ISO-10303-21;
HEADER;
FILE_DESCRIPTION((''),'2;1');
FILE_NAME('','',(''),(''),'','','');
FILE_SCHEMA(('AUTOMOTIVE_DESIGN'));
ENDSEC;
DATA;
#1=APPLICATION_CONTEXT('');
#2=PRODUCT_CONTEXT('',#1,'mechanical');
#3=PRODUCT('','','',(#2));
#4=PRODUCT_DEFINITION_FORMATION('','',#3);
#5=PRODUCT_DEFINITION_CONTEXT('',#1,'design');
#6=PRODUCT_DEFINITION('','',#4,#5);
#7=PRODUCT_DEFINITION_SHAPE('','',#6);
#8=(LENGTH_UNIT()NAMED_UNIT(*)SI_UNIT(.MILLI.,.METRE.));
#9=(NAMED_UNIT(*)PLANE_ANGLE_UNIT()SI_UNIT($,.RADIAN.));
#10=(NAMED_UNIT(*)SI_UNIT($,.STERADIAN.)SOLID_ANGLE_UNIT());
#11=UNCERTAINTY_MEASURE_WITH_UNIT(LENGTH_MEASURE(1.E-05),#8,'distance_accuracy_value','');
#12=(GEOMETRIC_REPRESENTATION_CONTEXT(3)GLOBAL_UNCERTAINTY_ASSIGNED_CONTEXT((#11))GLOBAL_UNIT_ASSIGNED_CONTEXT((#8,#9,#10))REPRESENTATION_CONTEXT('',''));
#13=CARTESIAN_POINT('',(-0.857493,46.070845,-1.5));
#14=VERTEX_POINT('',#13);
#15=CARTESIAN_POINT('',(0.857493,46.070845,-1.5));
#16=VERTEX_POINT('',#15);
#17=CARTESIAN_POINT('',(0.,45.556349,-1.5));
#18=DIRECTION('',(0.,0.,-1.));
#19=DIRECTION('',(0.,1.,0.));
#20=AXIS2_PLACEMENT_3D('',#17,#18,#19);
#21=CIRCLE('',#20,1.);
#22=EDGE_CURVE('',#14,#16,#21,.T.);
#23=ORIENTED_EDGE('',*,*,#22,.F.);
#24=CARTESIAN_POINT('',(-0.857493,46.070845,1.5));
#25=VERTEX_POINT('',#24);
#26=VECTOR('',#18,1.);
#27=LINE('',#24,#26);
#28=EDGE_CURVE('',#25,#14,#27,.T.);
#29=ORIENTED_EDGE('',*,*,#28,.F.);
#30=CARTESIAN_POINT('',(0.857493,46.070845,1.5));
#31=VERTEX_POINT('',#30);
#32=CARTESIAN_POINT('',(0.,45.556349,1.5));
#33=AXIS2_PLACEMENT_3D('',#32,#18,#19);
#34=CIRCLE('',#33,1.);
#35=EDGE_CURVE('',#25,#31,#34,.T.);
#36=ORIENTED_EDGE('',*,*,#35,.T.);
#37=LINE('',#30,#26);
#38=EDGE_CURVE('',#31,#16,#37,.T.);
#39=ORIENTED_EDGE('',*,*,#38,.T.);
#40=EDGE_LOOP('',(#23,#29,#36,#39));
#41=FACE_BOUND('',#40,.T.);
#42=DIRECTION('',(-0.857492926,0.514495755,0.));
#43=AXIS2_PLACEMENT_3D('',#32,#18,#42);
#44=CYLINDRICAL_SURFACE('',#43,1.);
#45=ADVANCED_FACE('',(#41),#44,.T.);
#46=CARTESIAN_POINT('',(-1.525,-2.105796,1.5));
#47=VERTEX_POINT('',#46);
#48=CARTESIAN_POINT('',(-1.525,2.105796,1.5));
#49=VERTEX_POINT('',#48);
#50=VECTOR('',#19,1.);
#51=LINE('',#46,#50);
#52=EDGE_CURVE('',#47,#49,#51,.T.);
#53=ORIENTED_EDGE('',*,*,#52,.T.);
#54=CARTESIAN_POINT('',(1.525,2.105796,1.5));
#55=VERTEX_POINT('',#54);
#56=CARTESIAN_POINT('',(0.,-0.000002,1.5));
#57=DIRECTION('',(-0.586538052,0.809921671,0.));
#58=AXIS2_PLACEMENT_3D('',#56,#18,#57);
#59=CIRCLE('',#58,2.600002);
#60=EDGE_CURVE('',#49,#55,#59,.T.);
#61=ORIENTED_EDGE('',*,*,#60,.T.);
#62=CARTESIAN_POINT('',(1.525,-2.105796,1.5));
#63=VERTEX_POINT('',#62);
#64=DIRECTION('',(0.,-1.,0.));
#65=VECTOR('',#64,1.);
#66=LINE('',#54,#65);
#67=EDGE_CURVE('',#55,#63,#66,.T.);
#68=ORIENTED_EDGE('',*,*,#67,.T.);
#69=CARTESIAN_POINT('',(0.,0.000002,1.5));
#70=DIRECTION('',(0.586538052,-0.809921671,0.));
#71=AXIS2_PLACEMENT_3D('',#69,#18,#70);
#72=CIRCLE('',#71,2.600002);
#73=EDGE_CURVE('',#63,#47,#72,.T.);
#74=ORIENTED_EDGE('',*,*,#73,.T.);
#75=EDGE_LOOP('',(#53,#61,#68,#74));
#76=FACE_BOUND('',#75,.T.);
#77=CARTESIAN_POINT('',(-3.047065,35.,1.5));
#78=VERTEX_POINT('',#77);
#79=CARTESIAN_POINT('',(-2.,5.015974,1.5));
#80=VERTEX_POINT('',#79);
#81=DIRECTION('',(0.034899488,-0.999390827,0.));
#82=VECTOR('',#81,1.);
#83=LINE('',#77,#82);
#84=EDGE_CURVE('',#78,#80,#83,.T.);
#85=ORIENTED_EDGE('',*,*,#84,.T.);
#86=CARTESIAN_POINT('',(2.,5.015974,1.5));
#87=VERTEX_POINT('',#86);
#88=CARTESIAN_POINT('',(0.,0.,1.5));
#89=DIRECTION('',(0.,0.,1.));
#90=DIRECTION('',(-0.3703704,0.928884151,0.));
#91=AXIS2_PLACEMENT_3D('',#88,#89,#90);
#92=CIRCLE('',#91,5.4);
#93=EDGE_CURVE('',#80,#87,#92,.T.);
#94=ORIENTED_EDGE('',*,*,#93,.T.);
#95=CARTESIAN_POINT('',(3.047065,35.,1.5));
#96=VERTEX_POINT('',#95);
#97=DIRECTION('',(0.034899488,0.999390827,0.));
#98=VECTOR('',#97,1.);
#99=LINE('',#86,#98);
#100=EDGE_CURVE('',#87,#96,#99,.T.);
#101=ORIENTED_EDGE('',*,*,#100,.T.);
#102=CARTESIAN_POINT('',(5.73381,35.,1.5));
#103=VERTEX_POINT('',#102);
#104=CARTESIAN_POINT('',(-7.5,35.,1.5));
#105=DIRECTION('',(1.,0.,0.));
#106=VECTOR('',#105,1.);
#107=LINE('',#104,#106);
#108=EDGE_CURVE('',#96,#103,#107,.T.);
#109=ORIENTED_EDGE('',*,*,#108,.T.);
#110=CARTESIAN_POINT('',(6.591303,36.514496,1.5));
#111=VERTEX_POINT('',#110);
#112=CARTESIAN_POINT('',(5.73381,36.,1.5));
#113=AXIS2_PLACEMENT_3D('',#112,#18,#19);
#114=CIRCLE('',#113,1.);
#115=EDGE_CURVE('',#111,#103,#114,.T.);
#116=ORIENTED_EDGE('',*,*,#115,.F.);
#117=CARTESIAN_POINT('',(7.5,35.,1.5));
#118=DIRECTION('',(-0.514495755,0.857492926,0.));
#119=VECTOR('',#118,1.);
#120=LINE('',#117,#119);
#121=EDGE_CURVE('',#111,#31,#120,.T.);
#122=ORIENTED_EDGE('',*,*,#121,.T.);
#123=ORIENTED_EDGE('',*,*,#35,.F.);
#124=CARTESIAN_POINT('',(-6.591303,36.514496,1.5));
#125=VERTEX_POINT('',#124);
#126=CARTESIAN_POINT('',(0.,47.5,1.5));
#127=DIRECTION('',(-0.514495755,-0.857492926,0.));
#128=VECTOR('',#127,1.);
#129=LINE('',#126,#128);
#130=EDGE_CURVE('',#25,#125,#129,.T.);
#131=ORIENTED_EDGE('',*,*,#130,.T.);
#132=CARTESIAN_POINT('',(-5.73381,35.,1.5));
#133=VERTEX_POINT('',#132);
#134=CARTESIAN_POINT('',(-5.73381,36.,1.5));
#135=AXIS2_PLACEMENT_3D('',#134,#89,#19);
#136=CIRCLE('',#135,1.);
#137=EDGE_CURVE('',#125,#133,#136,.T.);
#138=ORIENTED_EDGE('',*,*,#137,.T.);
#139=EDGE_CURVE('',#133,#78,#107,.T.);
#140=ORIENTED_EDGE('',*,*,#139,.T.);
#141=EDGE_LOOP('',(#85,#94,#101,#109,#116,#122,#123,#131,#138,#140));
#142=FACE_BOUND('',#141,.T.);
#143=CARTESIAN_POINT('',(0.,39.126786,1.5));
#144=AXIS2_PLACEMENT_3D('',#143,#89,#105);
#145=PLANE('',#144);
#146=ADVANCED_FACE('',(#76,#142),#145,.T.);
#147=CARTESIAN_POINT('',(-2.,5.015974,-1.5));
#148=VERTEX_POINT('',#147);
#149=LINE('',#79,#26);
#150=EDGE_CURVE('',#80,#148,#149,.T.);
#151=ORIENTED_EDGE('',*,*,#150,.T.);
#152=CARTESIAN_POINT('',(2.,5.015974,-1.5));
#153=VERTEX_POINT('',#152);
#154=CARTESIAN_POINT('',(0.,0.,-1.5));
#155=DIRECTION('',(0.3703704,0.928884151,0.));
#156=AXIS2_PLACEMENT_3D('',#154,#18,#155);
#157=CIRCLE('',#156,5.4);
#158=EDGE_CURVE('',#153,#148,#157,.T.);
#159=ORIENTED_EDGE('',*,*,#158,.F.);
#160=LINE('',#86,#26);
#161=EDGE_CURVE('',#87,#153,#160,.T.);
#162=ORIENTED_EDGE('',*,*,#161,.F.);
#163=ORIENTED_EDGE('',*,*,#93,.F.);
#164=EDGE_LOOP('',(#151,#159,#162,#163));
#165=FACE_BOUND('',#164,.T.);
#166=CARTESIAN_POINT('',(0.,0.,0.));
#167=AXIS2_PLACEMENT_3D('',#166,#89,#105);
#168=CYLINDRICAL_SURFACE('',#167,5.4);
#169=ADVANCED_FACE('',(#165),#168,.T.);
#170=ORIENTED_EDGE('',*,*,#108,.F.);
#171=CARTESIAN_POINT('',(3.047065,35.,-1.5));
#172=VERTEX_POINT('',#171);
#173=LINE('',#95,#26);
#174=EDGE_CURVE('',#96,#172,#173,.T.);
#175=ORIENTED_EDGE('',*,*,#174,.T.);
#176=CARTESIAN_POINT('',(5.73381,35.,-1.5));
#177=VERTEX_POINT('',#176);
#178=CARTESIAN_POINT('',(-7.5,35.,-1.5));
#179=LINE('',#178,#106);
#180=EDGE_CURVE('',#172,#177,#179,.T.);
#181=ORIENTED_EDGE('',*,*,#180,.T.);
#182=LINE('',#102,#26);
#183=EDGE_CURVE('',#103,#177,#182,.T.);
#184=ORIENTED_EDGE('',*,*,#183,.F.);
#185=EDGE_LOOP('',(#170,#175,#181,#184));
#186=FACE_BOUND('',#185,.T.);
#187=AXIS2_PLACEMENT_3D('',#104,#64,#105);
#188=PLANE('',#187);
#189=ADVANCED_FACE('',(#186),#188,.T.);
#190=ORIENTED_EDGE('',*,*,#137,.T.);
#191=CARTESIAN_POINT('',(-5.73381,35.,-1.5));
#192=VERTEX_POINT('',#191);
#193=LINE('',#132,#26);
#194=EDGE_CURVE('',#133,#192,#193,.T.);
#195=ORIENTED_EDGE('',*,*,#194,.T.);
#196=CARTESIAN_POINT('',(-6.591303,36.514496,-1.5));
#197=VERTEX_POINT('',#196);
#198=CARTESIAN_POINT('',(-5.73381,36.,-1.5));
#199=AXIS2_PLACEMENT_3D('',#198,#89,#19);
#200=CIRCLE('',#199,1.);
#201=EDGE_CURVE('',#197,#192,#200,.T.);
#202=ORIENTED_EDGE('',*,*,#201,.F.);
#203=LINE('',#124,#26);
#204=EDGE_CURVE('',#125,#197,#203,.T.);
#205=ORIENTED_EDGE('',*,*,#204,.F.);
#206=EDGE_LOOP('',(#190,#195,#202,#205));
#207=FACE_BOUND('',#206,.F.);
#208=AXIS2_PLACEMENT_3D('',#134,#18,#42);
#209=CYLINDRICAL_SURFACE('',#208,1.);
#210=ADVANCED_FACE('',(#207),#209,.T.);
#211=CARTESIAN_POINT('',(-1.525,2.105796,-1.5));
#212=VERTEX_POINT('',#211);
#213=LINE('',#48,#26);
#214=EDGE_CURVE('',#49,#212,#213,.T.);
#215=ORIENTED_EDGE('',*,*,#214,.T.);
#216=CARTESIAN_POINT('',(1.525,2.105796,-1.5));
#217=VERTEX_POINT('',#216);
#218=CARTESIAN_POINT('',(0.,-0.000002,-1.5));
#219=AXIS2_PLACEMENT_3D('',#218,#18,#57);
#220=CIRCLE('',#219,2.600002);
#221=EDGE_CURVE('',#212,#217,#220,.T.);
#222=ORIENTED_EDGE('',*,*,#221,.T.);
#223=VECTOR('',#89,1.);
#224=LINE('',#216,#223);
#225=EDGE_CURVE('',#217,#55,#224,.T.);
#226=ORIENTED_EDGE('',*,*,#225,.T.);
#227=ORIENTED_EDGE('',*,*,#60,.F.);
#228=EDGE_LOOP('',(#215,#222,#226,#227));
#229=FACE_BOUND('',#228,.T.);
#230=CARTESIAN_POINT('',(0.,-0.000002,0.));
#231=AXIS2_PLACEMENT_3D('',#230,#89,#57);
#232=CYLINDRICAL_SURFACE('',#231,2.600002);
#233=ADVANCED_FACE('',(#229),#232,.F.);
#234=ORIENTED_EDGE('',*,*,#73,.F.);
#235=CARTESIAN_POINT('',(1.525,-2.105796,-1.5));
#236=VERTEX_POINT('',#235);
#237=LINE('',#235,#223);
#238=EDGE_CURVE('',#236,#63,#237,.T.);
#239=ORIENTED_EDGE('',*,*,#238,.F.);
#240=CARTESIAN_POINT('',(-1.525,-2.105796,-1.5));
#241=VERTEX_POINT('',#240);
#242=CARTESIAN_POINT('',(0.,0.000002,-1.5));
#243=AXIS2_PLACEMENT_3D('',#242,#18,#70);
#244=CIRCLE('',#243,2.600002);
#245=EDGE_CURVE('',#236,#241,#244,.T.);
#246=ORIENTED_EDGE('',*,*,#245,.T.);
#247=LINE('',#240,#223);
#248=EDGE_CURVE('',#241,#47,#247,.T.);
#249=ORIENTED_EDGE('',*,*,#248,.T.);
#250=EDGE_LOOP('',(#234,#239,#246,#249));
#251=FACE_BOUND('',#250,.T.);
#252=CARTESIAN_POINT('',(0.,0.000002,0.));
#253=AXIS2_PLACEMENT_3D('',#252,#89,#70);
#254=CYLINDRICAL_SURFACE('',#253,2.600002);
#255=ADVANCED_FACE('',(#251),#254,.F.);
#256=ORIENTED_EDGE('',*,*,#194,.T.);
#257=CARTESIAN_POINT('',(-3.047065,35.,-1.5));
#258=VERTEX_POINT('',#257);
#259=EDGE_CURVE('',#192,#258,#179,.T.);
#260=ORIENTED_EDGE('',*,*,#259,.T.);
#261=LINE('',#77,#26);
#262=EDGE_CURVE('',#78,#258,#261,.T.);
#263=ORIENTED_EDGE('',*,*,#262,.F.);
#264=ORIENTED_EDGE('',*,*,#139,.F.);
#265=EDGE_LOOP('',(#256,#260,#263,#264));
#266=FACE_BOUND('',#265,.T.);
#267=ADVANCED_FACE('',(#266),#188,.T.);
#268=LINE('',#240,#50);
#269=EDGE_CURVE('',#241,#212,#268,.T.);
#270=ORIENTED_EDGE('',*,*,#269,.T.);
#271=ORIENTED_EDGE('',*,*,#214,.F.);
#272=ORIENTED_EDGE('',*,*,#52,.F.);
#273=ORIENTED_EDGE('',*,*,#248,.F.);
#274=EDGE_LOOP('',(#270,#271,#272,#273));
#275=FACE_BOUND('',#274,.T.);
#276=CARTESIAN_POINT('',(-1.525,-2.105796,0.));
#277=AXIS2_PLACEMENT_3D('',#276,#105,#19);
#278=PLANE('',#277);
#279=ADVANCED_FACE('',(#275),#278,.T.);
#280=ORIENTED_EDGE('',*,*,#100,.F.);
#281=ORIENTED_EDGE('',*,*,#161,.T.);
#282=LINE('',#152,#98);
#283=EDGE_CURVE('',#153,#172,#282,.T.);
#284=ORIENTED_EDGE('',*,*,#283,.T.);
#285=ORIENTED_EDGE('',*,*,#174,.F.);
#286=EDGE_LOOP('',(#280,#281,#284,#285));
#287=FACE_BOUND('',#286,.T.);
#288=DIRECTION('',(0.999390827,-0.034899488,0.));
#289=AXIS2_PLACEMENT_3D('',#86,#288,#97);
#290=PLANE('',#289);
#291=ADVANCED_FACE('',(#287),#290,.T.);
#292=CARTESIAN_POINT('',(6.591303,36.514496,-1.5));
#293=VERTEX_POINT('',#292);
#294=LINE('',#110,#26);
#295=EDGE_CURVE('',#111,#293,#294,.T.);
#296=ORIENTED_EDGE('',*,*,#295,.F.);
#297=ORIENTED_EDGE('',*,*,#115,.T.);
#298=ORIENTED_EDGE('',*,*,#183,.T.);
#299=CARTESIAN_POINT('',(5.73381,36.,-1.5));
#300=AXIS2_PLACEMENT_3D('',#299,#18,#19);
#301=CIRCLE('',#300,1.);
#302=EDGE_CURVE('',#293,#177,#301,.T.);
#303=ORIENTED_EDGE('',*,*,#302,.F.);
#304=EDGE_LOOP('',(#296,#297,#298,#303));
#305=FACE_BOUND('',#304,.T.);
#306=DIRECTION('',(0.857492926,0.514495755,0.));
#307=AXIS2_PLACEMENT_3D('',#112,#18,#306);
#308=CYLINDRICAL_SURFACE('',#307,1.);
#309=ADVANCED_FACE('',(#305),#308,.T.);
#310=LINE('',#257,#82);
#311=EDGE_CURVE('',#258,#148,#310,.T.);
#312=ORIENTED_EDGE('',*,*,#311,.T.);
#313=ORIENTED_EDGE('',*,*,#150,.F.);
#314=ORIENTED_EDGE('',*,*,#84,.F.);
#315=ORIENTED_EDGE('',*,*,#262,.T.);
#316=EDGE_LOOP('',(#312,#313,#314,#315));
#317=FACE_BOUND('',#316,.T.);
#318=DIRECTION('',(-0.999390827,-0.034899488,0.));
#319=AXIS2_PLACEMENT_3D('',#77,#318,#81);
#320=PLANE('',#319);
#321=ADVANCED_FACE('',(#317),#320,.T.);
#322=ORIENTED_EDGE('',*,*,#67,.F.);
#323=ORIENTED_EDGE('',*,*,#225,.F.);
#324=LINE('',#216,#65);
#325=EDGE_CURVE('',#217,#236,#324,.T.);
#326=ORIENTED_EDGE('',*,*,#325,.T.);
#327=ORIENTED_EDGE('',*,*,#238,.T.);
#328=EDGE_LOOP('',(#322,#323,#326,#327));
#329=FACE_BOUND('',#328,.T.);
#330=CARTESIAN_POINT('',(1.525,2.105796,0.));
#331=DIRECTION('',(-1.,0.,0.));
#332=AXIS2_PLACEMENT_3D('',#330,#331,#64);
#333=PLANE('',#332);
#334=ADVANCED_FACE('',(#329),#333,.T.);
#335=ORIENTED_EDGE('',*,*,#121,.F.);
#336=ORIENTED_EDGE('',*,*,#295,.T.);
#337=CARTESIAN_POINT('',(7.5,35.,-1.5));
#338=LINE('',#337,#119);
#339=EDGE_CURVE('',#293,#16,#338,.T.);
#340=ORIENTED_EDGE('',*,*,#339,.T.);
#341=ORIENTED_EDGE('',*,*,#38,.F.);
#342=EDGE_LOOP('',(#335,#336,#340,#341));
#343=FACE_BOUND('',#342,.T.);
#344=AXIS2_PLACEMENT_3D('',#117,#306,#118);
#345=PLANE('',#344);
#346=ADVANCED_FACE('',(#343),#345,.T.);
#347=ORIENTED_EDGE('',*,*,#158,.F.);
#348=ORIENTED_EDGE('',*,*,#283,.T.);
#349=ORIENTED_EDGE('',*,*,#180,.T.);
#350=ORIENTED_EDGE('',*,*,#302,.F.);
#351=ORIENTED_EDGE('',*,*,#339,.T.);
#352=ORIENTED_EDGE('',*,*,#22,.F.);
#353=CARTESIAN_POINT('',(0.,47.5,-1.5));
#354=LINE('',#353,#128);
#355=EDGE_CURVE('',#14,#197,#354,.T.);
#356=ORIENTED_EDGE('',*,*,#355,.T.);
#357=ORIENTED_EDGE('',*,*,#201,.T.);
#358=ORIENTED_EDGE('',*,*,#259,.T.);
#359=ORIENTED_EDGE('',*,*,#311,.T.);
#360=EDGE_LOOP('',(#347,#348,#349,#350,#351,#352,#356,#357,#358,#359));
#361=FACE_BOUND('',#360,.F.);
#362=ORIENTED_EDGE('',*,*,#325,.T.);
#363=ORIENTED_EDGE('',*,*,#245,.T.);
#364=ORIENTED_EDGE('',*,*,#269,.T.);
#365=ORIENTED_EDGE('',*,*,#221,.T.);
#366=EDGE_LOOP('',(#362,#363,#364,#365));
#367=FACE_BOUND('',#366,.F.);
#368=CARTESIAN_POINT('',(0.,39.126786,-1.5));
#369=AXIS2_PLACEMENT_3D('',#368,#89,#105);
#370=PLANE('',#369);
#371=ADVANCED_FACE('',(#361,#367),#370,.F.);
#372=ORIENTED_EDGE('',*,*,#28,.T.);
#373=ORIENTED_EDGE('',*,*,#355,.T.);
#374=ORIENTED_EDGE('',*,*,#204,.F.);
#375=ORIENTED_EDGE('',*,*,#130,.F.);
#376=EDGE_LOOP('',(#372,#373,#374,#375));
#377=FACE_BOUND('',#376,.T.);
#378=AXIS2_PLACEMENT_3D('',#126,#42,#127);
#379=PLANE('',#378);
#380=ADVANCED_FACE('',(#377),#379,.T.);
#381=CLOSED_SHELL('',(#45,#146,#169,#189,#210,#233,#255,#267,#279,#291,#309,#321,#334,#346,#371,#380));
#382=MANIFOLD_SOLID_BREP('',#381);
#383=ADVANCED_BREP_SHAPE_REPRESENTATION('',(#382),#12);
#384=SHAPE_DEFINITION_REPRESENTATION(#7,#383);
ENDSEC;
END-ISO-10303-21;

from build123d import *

# Parameters (mm, degrees)
F0_R     = 5.4
F1_DEPTH = 1.5
F3_DEPTH = 3
F5_DEPTH = 3
F6_R     = 1


with BuildPart() as f1:
    # F0 (on Top) → F1 (new body, symmetric)
    with BuildSketch(Plane.XY):
        Circle(F0_R)
        with BuildLine():
            ThreePointArc((1.525, 2.105796), (2.315707, 1.182159), (2.6, 0))
            ThreePointArc((2.6, 0), (2.315707, -1.182159), (1.525, -2.105796))
            ThreePointArc((1.525, -2.105796), (0, -2.6), (-1.525, -2.105796))
            ThreePointArc((-1.525, -2.105796), (-2.6, 0), (-1.525, 2.105796))
            ThreePointArc((-1.525, 2.105796), (0, 2.6), (1.525, 2.105796))
        make_face(mode=Mode.SUBTRACT)
        with BuildLine():
            ThreePointArc((1.525, -2.105796), (2.315707, -1.182159), (2.6, 0))
            ThreePointArc((2.6, 0), (2.315707, 1.182159), (1.525, 2.105796))
            Line((1.525, 2.105796), (1.525, -2.105796))
        make_face()
        with BuildLine():
            Line((-1.525, -2.105796), (-1.525, 2.105796))
            ThreePointArc((-1.525, 2.105796), (-2.6, 0), (-1.525, -2.105796))
        make_face()
    extrude(amount=F1_DEPTH, both=True)

    # F2 (on face) → F3 (join, through all)
    with BuildSketch(Plane.XY.offset(1.5)):
        Polygon((3.047065, 35), (0, 35), (-3.047065, 35), (-2, 5.015974), (0, 5.015974), (2, 5.015974), align=None)
    extrude(amount=-F3_DEPTH)

    # F4 (on face) → F5 (join, through all)
    with BuildSketch(Plane.XY.offset(1.5)):
        Polygon((0, 47.5), (-7.5, 35), (7.5, 35), align=None)
    extrude(amount=-F5_DEPTH)

    # F6
    f6_edges = [f1.edges().sort_by_distance(p)[0] for p in [
        (7.5, 35, 0),
        (-7.5, 35, 0),
        (0, 47.5, 0),
    ]]
    fillet(f6_edges, radius=F6_R)


solid = f1.part
